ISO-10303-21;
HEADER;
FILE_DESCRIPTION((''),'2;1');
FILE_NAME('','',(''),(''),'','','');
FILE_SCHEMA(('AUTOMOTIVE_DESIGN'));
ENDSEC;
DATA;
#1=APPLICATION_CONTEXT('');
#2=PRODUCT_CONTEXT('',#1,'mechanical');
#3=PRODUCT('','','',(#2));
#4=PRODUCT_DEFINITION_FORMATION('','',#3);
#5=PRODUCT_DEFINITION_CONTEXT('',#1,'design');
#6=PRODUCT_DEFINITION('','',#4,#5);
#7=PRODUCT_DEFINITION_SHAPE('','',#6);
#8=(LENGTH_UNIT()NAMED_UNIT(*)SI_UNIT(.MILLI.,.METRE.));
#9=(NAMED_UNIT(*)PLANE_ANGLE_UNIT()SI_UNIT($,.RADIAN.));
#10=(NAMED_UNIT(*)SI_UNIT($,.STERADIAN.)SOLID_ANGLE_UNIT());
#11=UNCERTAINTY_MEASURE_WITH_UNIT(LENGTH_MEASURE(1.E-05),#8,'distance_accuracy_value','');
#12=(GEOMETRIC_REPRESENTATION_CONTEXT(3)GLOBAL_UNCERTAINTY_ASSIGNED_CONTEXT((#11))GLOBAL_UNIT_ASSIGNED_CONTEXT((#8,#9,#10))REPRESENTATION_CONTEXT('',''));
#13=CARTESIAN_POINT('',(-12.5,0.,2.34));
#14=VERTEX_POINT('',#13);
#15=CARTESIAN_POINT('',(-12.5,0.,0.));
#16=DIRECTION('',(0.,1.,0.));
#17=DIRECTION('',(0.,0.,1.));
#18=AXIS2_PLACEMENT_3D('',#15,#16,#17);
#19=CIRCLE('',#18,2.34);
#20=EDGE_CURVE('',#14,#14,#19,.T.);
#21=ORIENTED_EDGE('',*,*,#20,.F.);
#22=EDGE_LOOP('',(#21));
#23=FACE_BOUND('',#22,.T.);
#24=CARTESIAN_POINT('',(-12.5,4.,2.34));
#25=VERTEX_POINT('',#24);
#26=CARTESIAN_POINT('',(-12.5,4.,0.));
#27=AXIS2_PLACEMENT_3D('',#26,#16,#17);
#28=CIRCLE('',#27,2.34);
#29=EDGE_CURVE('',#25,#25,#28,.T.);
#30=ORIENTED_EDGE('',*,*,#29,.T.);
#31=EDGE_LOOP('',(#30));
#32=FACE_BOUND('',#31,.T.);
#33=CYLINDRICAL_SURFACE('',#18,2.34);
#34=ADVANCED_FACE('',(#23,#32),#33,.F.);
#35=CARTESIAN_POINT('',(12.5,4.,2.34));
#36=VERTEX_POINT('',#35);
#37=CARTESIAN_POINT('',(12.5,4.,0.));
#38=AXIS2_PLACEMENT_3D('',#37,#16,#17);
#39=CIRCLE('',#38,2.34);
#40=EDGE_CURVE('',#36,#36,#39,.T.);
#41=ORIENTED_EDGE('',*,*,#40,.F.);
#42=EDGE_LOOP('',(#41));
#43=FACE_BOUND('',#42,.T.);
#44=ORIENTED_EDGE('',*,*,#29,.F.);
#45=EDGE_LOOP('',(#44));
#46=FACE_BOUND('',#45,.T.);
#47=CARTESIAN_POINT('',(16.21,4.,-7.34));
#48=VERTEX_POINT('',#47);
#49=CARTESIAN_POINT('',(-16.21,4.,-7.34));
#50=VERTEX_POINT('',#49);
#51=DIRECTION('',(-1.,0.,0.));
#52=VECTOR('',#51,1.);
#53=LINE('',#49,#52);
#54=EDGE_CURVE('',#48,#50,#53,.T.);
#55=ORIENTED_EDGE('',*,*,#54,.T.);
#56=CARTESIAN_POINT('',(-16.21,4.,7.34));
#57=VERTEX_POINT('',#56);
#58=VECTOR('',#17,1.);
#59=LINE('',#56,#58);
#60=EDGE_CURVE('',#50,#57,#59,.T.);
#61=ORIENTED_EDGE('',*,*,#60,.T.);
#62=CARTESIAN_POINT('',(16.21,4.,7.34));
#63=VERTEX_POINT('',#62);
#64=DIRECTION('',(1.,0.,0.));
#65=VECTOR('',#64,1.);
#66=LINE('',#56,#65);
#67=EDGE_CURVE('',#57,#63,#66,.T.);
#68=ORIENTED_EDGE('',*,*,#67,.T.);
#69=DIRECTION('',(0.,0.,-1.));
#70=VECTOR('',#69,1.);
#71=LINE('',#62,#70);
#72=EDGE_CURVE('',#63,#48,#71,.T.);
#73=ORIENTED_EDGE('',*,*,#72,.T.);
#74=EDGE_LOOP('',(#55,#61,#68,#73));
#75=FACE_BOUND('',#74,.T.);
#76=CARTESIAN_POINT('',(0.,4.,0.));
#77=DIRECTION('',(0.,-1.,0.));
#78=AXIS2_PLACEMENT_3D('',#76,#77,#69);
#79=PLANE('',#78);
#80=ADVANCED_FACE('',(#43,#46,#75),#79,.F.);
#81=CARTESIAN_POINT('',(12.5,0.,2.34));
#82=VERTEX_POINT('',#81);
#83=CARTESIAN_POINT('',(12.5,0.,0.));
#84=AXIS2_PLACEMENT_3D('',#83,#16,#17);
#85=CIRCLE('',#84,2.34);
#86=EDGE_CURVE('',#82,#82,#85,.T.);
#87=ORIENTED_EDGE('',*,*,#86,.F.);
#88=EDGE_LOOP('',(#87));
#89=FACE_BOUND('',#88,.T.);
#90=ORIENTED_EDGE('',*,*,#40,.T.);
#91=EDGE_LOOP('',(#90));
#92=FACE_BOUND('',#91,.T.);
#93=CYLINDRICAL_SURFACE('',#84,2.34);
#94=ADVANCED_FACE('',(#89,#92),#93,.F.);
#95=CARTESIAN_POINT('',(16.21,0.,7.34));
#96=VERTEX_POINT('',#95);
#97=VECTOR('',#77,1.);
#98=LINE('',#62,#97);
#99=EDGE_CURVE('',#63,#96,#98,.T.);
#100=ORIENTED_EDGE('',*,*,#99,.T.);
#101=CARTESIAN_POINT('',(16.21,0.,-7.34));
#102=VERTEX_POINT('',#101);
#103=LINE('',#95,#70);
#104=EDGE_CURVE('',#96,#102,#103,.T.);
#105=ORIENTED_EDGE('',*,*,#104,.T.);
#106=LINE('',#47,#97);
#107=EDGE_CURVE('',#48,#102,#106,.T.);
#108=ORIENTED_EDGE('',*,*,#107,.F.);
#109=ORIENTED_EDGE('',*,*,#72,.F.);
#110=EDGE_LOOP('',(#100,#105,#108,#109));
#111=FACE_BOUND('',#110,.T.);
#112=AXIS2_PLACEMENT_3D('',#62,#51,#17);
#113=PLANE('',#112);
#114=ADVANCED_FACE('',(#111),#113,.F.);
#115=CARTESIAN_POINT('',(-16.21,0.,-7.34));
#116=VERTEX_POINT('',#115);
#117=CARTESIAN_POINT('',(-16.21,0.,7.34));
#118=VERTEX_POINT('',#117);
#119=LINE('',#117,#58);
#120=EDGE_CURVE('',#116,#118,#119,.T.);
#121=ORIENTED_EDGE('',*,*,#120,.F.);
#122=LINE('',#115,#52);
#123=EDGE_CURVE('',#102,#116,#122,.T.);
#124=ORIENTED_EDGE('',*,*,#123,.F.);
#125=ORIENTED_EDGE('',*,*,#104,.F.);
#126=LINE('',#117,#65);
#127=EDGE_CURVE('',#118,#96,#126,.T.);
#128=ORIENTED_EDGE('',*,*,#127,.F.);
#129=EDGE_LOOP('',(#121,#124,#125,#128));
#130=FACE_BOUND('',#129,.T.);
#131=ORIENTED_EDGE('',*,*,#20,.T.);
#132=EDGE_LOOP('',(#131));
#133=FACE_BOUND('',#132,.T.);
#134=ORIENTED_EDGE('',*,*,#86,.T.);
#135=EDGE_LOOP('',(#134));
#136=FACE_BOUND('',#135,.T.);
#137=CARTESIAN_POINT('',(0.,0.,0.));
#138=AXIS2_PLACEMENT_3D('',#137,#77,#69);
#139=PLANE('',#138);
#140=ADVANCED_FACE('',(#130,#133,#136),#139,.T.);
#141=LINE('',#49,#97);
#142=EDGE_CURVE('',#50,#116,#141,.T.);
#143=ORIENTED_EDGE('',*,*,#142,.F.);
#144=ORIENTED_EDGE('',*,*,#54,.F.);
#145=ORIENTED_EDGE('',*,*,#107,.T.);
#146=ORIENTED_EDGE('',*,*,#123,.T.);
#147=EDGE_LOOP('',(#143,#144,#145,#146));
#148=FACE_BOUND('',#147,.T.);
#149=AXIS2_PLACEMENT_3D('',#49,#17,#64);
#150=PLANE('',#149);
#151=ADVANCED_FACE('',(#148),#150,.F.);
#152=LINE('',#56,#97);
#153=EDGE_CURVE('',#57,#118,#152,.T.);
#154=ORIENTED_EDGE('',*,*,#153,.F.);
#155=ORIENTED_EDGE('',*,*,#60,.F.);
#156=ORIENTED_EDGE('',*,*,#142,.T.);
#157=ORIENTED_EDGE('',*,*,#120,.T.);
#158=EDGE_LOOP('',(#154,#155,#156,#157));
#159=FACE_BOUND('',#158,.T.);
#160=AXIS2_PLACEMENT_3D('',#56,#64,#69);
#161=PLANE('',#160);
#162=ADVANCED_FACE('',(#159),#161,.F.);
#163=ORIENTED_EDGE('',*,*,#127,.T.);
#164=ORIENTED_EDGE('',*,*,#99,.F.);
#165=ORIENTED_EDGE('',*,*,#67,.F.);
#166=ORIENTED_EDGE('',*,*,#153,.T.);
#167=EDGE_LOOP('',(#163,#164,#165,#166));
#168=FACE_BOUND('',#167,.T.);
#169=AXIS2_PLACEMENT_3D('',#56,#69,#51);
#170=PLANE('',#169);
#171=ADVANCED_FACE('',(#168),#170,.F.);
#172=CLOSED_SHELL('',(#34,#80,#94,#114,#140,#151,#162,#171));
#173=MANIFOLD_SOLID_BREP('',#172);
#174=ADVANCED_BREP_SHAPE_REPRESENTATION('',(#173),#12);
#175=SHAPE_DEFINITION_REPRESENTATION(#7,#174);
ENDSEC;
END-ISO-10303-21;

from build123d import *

# Parameters (mm, degrees)
SKETCH_1_W          = 32.42
SKETCH_1_H          = 14.68
EXTRUDE_1_DEPTH     = 4
SKETCH_2_R          = 2.34
CUT_EXTRUDE_1_DEPTH = 19.23841276


with BuildPart() as part:
    # 草图1 → 凸台-拉伸1 (new body)
    with BuildSketch(Plane(origin=(0, 0, 0), x_dir=(1, 0, 0), z_dir=(0, 1, 0))):
        Rectangle(SKETCH_1_W, SKETCH_1_H)
    extrude(amount=EXTRUDE_1_DEPTH)

    # 草图2 → 切除-拉伸1 (cut, through all)
    with BuildSketch(Plane(origin=(0, 4, 0), x_dir=(1, 0, 0), z_dir=(0, 1, 0))):
        with Locations(Location((12.5, 0, 0), (0, 0, 270))):
            Circle(SKETCH_2_R)
        with Locations(Location((-12.5, 0, 0), (0, 0, 270))):
            Circle(SKETCH_2_R)
    extrude(amount=-CUT_EXTRUDE_1_DEPTH, mode=Mode.SUBTRACT)


solid = part.part
